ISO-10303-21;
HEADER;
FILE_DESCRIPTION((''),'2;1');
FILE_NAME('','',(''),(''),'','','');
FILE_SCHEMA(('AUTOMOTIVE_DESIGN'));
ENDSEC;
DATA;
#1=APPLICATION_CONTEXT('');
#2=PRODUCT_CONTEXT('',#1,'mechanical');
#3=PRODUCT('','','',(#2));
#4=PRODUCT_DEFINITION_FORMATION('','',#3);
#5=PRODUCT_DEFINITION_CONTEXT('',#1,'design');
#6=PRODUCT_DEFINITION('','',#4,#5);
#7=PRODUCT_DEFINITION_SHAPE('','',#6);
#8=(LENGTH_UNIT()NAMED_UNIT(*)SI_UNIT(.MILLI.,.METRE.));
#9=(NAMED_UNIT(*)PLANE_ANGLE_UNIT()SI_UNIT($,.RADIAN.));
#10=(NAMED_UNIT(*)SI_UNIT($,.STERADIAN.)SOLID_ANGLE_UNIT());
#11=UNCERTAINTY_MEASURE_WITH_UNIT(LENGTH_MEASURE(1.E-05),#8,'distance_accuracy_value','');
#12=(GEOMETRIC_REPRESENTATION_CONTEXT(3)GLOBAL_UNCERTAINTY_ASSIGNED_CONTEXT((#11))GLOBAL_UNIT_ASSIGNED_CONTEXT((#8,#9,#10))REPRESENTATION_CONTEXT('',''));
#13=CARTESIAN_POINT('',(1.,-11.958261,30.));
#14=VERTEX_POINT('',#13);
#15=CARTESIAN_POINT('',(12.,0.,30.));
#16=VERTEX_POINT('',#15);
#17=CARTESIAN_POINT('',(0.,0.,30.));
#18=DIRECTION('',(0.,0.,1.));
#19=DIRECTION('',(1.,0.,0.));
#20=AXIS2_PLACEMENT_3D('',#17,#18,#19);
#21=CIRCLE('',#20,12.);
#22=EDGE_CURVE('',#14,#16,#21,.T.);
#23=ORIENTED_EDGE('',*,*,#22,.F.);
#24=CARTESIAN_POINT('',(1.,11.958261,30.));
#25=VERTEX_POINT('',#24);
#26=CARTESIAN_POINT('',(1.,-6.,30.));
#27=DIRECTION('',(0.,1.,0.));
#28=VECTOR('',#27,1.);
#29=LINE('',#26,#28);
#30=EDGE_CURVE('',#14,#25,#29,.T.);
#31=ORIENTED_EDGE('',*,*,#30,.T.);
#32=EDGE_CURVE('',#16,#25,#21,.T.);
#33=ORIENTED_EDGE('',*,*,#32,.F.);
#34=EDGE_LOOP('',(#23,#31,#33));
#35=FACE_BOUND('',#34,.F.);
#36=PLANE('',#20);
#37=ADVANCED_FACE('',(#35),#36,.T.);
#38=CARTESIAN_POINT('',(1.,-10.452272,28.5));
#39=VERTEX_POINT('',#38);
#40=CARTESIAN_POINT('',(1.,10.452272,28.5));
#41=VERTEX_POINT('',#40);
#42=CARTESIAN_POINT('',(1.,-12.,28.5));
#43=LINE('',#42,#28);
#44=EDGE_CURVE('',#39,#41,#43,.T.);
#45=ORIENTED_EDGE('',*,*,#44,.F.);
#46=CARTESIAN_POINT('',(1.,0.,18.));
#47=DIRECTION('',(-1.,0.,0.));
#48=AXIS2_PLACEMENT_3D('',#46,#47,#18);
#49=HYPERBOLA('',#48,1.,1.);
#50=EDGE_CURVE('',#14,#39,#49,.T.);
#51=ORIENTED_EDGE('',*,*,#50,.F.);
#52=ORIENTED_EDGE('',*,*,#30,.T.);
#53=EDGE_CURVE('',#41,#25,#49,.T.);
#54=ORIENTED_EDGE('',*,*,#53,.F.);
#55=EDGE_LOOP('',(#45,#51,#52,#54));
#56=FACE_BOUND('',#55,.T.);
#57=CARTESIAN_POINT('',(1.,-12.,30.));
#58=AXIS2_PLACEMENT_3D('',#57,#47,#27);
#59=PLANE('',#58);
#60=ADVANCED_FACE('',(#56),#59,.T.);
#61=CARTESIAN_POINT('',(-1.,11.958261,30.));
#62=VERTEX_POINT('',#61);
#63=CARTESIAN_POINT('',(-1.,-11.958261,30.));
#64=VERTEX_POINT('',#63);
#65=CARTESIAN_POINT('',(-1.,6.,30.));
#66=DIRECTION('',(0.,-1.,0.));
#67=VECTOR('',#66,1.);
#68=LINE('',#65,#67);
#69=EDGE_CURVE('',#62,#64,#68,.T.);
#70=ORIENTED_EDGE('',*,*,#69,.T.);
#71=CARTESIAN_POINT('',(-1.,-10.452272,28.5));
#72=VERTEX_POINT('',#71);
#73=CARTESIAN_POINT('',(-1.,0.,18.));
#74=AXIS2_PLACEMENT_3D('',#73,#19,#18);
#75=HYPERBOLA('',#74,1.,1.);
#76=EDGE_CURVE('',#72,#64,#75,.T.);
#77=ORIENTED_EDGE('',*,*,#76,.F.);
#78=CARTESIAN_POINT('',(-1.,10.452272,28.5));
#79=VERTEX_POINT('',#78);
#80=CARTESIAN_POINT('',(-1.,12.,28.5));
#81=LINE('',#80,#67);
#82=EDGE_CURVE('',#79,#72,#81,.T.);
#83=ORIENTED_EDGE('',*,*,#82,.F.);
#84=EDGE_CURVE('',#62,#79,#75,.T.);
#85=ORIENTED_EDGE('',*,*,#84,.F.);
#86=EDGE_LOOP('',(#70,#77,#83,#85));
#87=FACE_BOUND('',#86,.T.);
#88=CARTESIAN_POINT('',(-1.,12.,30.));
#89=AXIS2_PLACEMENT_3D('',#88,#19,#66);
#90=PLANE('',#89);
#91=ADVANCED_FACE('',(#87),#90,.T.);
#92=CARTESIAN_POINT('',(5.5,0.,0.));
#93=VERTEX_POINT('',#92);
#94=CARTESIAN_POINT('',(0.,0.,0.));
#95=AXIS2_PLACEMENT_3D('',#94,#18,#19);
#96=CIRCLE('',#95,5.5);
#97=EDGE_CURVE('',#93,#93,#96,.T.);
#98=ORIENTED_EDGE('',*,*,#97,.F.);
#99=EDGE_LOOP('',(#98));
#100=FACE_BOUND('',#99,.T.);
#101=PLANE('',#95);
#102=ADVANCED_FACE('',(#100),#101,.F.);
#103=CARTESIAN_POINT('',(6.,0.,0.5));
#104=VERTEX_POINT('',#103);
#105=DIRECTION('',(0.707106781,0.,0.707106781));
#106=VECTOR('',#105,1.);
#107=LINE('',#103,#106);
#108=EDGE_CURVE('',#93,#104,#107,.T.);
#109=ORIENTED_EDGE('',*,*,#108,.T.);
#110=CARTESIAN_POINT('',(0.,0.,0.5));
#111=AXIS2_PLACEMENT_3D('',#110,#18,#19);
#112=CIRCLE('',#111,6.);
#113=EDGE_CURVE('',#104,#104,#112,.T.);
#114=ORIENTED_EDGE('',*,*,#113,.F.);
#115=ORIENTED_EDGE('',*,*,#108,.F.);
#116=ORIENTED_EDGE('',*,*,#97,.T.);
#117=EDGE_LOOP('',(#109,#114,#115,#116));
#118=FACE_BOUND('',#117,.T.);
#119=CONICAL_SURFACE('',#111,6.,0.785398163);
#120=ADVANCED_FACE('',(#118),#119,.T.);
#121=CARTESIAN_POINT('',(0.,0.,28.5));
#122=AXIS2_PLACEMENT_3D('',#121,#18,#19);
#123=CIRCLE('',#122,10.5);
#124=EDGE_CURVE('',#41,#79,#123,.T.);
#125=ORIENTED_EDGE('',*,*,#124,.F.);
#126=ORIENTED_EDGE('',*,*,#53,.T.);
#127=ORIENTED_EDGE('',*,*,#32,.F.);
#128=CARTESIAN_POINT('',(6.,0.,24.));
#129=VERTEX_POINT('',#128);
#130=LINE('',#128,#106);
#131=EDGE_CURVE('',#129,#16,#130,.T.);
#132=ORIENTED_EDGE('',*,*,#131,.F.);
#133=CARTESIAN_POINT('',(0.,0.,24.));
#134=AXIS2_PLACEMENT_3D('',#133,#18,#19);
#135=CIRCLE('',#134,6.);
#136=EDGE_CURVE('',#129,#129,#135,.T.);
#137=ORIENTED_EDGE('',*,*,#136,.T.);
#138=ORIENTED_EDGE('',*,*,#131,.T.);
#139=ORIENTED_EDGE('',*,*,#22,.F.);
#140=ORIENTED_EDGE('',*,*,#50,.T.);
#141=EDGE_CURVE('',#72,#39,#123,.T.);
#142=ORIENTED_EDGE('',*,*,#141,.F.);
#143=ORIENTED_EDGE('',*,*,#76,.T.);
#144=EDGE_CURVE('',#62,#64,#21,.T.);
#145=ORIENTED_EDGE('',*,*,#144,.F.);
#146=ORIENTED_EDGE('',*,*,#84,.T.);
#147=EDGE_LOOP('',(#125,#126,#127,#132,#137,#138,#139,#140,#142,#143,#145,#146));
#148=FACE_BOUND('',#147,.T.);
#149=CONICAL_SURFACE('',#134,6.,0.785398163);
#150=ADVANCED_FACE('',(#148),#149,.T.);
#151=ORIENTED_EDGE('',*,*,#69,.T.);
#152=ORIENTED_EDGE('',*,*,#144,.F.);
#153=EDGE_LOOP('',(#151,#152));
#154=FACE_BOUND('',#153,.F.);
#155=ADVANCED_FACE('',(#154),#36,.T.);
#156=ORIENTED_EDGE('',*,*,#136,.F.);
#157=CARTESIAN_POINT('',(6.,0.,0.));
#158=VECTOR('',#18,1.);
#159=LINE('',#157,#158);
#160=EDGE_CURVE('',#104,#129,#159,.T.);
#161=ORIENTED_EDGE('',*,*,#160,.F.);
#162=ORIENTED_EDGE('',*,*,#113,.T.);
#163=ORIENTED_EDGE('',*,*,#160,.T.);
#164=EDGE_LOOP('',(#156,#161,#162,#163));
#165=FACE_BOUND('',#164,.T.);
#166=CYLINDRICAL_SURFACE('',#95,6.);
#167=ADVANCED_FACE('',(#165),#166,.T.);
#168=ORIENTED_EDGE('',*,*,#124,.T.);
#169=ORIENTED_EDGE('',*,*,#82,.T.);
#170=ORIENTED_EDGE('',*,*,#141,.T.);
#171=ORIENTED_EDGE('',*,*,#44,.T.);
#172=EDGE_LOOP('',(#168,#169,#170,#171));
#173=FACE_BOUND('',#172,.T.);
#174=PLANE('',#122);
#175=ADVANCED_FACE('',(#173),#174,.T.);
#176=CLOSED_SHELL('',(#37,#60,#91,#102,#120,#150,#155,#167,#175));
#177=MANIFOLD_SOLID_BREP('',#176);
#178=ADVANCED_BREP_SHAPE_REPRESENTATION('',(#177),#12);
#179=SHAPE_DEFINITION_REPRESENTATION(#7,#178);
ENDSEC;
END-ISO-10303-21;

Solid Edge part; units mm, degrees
sketch "Sketch1" plane through (0, 0, 0) normal (0, -1, 0) x (1, 0, 0)
  line L0 (6, 24) -> (12, 30)
  line L1 (0, 30) -> (12, 30)
  line L2 (0, 0) -> (0, 30)
  line L3 (0, 0) -> (6, 0)
  line L4 (6, 0) -> (6, 24)
revolve "RevolvedProtrusion1" add sketch "Sketch1" angle 360 about axis through (0, 0, 0) along (0, 0, 1)
cosmetic_thread "Thread1" size "Tr 12 x 3"
chamfer "Chamfer1" distance 0.5 angle 45 1 edges at (-6, 0, 0)
sketch "Sketch2" plane through (0, 0, 30) normal (0, 0, 1) x (1, 0, 0)
  line L0 (-1, 12) -> (-1, -12)
  line L1 (-1, -12) -> (1, -12)
  line L2 (1, -12) -> (1, 12)
  line L3 (1, 12) -> (-1, 12)
extrude "ExtrudedCutout_1" cut sketch "Sketch2" along normal mid plane 3
